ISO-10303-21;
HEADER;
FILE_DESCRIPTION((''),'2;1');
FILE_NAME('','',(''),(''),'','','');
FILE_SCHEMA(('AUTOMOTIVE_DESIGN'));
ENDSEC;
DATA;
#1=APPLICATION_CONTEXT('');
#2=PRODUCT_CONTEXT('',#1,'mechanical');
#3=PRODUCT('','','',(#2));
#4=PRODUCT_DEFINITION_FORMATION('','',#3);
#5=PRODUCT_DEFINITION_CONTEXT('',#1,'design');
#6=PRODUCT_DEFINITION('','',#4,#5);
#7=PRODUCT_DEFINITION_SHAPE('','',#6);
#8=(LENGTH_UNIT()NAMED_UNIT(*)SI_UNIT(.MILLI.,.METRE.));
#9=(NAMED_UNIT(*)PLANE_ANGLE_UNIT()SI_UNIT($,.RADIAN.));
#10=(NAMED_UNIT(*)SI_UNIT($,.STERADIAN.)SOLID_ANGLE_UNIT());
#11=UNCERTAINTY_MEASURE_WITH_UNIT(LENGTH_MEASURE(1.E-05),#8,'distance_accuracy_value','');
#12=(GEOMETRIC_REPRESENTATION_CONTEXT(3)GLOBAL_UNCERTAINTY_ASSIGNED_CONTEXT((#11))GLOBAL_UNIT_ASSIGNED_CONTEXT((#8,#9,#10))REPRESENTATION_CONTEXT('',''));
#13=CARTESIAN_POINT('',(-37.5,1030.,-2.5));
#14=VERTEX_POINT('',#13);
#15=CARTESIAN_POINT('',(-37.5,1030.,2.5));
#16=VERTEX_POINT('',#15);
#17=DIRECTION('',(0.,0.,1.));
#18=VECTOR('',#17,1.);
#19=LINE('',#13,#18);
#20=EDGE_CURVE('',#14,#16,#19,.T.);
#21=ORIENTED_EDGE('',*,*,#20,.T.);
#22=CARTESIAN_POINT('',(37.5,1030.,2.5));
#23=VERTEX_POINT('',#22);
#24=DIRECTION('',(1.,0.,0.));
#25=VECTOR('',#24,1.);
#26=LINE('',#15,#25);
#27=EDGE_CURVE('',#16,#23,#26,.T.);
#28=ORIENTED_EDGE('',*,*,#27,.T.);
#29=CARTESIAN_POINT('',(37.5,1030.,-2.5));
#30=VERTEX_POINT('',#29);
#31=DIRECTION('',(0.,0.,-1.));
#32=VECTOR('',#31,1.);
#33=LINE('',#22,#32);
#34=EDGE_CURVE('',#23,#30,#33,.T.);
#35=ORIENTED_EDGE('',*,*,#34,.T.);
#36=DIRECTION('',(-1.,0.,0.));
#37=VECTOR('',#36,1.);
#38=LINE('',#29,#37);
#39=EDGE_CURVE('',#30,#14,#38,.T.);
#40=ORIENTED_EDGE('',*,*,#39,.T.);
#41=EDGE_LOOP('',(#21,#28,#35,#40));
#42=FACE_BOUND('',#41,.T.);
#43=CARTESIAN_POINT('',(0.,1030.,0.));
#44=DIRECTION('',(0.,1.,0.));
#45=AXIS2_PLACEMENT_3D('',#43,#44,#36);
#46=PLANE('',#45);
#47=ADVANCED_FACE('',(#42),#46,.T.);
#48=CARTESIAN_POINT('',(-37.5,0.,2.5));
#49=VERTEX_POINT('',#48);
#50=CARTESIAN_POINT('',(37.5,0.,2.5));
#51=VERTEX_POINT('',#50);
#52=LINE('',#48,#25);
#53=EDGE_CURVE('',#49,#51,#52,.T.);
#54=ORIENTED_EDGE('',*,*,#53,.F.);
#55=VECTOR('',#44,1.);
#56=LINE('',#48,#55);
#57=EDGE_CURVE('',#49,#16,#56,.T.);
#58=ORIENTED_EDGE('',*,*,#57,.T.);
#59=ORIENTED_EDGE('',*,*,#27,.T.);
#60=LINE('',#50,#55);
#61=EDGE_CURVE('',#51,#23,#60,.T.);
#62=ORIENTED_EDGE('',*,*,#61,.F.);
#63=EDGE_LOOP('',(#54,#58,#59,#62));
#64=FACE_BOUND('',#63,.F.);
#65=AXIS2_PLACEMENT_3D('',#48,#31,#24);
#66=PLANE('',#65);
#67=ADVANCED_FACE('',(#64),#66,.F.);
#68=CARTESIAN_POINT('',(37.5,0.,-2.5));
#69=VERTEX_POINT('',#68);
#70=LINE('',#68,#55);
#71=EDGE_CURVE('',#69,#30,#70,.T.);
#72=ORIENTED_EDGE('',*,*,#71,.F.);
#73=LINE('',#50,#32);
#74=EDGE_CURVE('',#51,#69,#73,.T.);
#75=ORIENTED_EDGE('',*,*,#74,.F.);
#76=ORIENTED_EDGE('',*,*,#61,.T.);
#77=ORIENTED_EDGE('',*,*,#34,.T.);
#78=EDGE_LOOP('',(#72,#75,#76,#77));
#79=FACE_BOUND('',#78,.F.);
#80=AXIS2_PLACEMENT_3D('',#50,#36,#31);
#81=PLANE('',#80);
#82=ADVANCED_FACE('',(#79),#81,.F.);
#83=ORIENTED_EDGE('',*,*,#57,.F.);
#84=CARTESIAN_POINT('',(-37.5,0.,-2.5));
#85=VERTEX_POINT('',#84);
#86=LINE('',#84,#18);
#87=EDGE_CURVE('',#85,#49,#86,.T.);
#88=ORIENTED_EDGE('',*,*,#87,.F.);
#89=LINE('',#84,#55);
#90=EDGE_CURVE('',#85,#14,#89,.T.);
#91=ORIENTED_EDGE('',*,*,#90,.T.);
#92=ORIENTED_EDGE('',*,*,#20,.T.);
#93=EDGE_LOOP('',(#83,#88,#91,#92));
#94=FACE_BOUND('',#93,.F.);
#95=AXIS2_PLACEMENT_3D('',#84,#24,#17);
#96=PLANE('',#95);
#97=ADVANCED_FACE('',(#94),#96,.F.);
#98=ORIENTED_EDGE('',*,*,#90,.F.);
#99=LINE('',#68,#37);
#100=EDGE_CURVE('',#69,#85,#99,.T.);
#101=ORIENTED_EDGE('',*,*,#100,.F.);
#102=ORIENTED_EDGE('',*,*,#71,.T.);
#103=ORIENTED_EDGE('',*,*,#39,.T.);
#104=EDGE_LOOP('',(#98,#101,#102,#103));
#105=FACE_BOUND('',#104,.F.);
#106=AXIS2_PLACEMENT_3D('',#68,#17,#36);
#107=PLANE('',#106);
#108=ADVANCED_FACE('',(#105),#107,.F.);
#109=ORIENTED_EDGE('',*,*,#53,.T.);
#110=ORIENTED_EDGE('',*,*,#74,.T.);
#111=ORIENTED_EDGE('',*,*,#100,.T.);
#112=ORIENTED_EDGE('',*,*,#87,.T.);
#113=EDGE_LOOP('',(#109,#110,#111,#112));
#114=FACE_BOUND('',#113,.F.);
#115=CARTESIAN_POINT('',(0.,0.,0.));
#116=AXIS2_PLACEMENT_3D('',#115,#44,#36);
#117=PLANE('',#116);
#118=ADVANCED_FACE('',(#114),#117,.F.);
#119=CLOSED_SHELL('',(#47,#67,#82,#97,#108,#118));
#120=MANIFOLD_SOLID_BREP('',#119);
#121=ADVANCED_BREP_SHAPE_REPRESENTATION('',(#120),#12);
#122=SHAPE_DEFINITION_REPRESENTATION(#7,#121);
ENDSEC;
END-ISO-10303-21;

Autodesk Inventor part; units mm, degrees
ref_plane "YZ Plane" through (0, 0, 0) normal (1, 0, 0) x (0, 1, 0)
ref_plane "XZ Plane" through (0, 0, 0) normal (0, 1, 0) x (-1, 0, 0)
ref_plane "XY Plane" through (0, 0, 0) normal (0, 0, 1) x (1, 0, 0)
sketch "Sketch1" plane through (0, 0, 0) normal (0, 1, 0) x (-1, 0, 0)
  line L0 (37.5, 2.5) -> (-37.5, 2.5)
  line L1 (-37.5, 2.5) -> (-37.5, -2.5)
  line L2 (-37.5, -2.5) -> (37.5, -2.5)
  line L3 (37.5, -2.5) -> (37.5, 2.5)
  line L4 (37.5, 2.5) -> (-37.5, -2.5) construction
  line L5 (-37.5, 2.5) -> (37.5, -2.5) construction
  point P0 (0, 0)
  dimension "d0" = 75
  dimension "d1" = 5
extrude "Extrusion1" add sketch "Sketch1" along normal blind 1030
properties part number "kuka_base-support"
